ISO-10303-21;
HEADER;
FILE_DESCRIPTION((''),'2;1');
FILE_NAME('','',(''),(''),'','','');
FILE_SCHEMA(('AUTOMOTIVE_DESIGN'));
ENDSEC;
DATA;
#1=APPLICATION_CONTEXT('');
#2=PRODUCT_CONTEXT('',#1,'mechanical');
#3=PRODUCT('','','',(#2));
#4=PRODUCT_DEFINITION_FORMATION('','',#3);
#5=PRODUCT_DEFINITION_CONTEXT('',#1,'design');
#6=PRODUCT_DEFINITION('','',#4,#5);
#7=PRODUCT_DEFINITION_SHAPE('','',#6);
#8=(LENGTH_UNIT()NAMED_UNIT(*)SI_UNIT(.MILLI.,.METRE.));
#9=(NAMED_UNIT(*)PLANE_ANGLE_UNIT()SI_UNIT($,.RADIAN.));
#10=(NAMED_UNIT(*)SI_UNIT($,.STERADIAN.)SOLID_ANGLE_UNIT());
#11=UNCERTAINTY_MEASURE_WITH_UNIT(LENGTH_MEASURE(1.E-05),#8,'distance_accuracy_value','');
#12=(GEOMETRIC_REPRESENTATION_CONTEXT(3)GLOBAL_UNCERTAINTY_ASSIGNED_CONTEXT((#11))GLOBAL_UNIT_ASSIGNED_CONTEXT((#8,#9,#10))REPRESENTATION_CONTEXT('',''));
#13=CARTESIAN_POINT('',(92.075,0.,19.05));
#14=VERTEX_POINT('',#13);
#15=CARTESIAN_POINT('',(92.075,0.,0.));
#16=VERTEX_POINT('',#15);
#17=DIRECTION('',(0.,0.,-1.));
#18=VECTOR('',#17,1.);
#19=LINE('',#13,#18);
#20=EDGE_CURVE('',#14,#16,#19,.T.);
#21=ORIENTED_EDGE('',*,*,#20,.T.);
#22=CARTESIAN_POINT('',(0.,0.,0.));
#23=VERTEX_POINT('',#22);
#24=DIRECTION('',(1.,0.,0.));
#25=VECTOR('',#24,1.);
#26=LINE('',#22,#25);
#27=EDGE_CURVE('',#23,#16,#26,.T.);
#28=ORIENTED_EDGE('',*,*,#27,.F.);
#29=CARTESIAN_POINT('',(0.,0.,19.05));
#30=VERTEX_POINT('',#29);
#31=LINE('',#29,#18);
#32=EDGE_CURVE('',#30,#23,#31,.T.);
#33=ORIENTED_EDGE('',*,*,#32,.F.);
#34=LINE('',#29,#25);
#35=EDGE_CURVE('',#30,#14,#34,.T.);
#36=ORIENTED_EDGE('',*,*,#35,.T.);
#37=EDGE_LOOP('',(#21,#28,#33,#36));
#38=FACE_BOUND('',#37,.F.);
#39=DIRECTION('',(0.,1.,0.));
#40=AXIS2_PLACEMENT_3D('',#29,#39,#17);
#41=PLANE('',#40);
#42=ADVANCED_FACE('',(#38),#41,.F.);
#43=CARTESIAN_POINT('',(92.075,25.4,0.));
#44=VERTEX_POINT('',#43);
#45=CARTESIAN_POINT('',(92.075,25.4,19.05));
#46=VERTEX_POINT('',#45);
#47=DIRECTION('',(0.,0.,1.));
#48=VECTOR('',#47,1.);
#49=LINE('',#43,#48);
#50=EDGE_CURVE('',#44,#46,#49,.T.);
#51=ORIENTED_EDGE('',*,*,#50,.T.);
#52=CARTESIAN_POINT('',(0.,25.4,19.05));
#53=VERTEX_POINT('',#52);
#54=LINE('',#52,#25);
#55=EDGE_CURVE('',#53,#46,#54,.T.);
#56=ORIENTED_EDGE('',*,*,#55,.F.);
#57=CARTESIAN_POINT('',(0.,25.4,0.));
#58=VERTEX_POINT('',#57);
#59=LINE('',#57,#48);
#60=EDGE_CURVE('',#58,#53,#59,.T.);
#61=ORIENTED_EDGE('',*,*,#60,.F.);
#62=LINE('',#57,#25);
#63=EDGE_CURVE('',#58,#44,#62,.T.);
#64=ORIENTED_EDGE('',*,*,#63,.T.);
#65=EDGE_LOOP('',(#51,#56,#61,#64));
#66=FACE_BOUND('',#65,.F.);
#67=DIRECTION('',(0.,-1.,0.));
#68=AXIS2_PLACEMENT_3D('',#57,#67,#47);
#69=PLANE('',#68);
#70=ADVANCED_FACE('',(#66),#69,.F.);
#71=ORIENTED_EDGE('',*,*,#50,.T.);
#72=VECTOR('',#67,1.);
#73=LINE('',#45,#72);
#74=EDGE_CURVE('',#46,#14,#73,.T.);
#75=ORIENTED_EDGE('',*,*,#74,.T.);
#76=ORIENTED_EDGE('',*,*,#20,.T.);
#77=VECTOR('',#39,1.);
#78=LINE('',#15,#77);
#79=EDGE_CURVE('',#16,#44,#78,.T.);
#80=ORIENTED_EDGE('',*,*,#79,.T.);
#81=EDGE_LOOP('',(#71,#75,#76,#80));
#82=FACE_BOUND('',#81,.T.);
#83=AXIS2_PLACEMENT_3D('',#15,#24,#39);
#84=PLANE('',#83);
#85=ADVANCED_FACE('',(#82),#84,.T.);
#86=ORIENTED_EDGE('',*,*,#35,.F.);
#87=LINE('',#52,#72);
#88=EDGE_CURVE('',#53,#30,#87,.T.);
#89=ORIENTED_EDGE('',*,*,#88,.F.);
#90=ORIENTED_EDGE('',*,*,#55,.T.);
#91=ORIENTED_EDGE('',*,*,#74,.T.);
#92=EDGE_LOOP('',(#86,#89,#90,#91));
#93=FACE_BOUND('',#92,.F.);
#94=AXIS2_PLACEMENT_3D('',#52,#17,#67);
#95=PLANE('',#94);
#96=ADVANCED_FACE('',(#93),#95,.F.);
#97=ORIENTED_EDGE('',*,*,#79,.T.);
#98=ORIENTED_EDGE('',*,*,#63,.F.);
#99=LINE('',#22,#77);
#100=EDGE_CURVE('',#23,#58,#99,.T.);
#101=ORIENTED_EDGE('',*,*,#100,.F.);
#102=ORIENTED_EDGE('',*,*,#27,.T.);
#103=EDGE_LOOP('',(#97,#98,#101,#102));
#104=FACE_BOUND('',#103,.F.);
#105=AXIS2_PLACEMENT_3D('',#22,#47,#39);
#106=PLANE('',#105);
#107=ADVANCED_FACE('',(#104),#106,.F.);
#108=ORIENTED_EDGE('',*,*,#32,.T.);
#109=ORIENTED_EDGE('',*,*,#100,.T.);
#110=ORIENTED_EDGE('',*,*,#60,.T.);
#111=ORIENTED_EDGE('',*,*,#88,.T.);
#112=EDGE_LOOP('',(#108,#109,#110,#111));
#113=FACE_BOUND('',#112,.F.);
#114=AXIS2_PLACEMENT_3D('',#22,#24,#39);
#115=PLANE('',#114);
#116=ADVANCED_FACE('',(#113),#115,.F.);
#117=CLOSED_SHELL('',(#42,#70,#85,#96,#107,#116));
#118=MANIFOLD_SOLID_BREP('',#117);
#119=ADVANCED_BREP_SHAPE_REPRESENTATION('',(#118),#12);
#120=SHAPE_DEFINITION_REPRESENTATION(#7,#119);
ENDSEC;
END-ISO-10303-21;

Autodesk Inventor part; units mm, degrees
ref_plane "YZ Plane" through (0, 0, 0) normal (1, 0, 0) x (0, 1, 0)
ref_plane "XZ Plane" through (0, 0, 0) normal (0, 1, 0) x (-1, 0, 0)
ref_plane "XY Plane" through (0, 0, 0) normal (0, 0, 1) x (1, 0, 0)
sketch "Sketch1" plane through (0, 0, 0) normal (1, 0, 0) x (0, 1, 0)
  line L0 (0, 0) -> (25.4, 0)
  line L1 (25.4, 0) -> (25.4, 19.05)
  line L2 (25.4, 19.05) -> (0, 19.05)
  line L3 (0, 19.05) -> (0, 0)
  dimension "d0" = 25.4
  dimension "d1" = 19.05
extrude "Extrusion1" add sketch "Sketch1" along normal blind 92.075
